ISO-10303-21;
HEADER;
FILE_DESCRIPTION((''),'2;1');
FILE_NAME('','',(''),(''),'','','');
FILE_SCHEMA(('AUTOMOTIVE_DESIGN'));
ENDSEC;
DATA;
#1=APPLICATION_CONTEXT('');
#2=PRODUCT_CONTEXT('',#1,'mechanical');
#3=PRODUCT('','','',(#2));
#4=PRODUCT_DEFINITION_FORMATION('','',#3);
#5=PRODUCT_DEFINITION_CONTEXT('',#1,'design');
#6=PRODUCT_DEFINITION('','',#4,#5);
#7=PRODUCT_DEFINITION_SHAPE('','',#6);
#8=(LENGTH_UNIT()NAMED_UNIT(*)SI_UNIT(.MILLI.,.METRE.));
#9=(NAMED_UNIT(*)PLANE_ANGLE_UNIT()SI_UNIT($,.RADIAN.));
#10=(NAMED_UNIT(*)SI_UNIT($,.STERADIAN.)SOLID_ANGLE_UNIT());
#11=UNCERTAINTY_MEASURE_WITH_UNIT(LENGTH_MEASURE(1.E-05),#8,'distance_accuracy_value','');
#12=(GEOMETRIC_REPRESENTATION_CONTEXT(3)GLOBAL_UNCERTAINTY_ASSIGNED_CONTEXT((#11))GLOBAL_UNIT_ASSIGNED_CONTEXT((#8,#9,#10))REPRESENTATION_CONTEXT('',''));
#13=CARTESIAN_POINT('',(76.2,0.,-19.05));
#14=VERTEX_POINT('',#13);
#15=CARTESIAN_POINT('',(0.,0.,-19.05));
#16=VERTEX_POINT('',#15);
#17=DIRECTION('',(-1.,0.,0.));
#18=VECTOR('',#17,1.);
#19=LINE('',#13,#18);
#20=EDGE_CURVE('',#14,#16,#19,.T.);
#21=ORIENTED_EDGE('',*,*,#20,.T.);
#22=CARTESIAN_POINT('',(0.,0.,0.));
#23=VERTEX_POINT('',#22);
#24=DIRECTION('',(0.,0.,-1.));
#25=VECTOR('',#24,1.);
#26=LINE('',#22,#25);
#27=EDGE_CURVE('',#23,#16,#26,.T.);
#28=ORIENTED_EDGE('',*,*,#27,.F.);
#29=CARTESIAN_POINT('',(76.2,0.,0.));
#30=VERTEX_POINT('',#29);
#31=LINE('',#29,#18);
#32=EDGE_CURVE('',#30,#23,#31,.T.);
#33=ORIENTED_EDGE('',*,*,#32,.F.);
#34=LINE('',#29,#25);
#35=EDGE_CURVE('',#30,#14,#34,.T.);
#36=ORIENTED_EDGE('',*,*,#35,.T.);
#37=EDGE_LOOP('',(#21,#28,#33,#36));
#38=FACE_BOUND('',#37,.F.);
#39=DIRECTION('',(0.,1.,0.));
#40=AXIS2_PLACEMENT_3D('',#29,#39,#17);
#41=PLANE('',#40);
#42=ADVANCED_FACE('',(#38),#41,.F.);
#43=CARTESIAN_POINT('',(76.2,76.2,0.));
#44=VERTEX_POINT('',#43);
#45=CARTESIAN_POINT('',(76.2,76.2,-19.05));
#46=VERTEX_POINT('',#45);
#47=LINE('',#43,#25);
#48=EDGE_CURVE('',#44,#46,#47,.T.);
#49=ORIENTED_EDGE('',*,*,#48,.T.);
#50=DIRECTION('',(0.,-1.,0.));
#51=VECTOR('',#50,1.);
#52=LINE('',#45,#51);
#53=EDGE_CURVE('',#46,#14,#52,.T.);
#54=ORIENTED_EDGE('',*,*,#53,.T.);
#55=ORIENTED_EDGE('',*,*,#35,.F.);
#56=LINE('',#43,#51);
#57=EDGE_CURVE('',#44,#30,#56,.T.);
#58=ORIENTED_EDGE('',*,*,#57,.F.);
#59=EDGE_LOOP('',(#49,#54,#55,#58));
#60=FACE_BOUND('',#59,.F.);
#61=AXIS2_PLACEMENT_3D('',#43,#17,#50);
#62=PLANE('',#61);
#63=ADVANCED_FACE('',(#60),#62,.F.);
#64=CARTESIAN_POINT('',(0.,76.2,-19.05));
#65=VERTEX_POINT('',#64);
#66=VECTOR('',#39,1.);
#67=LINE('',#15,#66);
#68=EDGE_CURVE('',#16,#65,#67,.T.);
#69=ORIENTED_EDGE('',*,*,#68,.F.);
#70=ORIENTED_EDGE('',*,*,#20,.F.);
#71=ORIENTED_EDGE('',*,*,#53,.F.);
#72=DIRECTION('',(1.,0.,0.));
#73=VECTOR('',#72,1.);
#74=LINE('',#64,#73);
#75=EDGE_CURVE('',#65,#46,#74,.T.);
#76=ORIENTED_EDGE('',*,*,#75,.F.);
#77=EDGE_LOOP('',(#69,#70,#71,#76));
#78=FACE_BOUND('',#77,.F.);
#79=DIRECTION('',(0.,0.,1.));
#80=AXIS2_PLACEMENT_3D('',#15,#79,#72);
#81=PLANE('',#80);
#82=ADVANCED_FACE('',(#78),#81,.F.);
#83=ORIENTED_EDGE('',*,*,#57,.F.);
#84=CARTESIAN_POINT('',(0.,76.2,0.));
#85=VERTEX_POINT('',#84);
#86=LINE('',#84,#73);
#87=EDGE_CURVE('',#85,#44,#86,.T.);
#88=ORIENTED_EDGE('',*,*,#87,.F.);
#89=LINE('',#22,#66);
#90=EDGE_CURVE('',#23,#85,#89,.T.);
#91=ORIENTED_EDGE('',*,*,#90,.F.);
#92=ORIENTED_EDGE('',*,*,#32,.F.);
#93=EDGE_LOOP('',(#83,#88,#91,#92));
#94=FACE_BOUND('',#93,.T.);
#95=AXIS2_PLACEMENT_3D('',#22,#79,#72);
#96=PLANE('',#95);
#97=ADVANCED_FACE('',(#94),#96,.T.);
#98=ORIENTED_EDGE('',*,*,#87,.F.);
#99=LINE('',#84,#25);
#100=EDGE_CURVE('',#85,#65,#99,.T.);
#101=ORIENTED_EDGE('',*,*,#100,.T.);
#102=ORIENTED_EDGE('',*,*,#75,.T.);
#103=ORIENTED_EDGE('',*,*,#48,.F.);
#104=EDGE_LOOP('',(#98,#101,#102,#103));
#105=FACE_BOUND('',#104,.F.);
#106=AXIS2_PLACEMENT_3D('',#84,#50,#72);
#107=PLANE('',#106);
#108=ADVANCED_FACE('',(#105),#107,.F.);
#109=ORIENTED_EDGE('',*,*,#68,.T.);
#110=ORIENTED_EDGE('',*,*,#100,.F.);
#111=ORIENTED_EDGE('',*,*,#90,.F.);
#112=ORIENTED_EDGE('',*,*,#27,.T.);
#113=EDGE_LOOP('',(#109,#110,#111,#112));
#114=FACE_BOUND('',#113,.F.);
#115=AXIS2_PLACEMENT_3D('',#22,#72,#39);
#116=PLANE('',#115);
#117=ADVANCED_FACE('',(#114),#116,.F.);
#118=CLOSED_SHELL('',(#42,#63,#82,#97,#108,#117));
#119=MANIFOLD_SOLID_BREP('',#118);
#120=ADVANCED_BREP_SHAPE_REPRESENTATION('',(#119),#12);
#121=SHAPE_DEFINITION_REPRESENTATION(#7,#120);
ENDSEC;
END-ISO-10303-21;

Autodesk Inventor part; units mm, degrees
ref_plane "YZ Plane" through (0, 0, 0) normal (1, 0, 0) x (0, 1, 0)
ref_plane "XZ Plane" through (0, 0, 0) normal (0, 1, 0) x (-1, 0, 0)
sketch "Sketch1" plane through (0, 0, 0) normal (0, 0, 1) x (1, 0, 0)
  point P0 (0, 0)
ref_plane "Work Plane1" through (0, 0, 0) normal (0, 0, 1) x (1, 0, 0)
sketch "Sketch2" plane through (0, 0, 0) normal (0, 0, 1) x (1, 0, 0)
  line L0 (0, 76.2) -> (76.2, 76.2) projected
  line L1 (0, 0) -> (0, 76.2) projected
  line L2 (76.2, 76.2) -> (76.2, 0) projected
  line L3 (76.2, 0) -> (0, 0) projected
ref_plane "Work Plane2" through (-3.81, -3.81, -19.05) normal (0, 0, 1) x (1, 0, 0)
extrude "Extrusion1" add sketch "Sketch2" against normal up to surface (19.05 mm away)
properties part number "stock_aluminio"
